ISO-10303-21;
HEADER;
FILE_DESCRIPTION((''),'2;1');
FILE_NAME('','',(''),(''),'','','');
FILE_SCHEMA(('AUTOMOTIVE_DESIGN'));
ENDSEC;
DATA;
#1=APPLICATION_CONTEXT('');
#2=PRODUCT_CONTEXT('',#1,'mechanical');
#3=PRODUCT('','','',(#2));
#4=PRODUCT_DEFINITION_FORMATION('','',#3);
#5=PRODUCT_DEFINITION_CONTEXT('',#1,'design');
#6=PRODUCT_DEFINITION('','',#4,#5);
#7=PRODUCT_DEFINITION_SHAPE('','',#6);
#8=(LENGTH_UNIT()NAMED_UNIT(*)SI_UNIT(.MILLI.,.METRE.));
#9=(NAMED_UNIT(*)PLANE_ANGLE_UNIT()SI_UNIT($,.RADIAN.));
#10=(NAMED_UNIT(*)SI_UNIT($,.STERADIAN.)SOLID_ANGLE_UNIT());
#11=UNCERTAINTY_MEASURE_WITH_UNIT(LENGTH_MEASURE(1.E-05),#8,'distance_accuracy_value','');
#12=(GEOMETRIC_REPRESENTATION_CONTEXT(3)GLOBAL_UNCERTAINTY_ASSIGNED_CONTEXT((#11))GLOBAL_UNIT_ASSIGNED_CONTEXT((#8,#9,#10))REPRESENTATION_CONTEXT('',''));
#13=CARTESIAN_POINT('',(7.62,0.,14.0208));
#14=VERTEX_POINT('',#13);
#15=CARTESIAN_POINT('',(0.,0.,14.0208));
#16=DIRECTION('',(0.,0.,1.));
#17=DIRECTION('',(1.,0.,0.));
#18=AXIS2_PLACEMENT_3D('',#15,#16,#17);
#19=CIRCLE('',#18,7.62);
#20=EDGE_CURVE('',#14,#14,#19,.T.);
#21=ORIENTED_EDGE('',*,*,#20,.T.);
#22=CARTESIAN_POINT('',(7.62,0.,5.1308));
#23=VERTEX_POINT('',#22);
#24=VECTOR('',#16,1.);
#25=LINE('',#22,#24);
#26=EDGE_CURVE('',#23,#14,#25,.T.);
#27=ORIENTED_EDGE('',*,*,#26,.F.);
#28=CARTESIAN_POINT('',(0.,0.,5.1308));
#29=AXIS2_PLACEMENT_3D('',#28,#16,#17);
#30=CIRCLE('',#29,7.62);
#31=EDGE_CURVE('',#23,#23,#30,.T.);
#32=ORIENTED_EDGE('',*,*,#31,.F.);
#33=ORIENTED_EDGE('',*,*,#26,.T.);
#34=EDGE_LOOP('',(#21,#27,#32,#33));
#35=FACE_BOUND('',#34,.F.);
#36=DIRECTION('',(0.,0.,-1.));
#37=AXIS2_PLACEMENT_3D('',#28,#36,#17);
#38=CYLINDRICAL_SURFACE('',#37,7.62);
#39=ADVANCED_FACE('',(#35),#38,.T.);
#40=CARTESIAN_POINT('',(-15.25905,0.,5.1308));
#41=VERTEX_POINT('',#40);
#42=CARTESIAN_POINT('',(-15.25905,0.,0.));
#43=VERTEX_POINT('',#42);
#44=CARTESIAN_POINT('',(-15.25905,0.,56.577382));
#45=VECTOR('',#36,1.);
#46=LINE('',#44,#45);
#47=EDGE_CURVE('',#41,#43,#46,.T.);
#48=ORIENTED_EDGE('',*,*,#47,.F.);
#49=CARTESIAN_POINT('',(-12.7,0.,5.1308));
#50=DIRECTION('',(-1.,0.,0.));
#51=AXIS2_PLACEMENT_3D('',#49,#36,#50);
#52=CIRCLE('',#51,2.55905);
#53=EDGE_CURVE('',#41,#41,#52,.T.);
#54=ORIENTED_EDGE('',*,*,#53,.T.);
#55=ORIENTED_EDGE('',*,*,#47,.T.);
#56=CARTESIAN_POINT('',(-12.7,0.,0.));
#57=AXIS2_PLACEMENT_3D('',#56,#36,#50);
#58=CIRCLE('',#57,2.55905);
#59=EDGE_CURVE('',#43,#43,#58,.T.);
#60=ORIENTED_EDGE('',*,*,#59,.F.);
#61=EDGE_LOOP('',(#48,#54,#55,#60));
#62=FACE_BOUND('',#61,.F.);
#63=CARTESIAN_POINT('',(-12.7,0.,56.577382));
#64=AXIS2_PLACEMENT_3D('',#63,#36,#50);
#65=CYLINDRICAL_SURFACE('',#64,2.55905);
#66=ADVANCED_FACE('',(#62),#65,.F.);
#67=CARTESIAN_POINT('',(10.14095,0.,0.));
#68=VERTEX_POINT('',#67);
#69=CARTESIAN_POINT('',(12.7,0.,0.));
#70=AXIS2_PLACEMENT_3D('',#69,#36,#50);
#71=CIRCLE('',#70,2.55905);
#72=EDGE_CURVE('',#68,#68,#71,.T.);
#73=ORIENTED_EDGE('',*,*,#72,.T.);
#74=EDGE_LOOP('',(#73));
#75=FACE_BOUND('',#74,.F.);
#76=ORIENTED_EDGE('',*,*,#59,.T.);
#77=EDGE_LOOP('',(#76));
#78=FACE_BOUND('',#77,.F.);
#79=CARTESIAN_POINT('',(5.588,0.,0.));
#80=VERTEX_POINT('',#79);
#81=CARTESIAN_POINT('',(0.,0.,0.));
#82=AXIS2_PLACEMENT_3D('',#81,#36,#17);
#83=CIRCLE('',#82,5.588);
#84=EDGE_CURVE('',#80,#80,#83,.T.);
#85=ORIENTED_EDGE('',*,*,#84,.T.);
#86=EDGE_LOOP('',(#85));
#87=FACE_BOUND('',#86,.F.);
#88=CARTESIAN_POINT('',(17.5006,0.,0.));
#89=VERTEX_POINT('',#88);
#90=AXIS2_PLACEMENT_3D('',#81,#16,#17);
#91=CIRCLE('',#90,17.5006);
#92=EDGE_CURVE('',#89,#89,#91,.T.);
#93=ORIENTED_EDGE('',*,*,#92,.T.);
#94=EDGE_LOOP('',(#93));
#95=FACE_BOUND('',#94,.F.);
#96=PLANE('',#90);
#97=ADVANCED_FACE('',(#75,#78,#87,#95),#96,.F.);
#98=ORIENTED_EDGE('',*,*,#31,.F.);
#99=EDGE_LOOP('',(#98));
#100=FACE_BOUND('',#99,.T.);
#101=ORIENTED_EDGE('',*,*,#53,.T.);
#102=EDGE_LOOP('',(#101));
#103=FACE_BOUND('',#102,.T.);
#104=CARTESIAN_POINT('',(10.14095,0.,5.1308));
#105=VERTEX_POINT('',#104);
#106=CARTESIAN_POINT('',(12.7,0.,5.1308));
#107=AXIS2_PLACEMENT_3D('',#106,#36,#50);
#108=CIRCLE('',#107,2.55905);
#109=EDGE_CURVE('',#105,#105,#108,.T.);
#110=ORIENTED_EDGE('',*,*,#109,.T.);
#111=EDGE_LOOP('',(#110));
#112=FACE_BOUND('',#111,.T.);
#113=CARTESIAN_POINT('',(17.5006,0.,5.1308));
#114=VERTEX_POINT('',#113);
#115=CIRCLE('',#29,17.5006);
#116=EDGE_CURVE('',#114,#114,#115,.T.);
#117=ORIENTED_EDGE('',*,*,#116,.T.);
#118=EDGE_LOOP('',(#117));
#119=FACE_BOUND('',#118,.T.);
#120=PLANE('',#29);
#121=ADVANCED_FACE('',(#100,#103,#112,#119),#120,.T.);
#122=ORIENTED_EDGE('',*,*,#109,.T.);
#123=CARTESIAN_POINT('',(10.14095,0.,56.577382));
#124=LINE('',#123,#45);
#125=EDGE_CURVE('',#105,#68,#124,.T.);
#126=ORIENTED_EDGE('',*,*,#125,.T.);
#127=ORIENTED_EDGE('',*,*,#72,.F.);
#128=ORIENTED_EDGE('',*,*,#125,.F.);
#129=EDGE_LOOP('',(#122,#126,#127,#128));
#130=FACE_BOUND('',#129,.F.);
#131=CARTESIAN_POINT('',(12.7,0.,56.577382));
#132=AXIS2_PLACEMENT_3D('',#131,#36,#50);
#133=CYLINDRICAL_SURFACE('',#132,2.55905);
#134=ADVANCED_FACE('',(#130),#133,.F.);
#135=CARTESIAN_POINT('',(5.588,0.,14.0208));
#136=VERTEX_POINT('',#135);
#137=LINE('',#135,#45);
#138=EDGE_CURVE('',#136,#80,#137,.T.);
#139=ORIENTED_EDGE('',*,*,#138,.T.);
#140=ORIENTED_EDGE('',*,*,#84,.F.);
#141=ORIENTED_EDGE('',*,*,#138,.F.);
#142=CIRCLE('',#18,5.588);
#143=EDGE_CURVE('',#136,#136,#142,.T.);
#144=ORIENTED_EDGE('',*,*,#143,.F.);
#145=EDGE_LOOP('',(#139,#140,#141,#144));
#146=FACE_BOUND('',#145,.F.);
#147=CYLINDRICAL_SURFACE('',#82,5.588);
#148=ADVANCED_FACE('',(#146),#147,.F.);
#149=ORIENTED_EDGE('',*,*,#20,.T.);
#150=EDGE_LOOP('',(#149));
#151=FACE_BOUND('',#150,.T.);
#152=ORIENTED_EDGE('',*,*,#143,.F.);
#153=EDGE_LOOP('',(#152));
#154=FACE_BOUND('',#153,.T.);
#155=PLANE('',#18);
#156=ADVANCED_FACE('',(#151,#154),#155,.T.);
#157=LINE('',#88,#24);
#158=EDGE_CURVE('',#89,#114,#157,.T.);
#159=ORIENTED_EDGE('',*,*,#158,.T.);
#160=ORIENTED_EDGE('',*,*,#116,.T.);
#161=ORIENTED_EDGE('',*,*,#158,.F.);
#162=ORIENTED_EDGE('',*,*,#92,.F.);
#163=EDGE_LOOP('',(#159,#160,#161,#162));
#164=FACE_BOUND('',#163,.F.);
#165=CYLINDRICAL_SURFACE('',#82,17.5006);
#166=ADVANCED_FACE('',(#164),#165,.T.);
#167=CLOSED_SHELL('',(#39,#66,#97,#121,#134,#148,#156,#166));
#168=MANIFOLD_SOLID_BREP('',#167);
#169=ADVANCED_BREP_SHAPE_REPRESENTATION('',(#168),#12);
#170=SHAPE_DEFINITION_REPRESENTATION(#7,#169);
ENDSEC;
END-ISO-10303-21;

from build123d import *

# Parameters (mm, degrees)
F0_R     = 17.5006
F1_DEPTH = 5.1308
F2_R     = 7.62
F2_R_2   = 5.588
F3_DEPTH = 8.89
F4_R     = 5.588
F5_DEPTH = 14.0218
F7_D     = 5.1181


with BuildPart() as f1:
    # F0 (on Top) → F1 (new body)
    with BuildSketch(Plane.XY):
        Circle(F0_R)
    extrude(amount=F1_DEPTH)

    # F2 (on face) → F3 (join)
    with BuildSketch(Plane.XY.offset(5.1308)):
        Circle(F2_R)
        Circle(F2_R_2, mode=Mode.SUBTRACT)
    extrude(amount=F3_DEPTH)

    # F4 (on face) → F5 (cut, through all)
    with BuildSketch(Plane(origin=(0, 0, 0), x_dir=(1, 0, 0), z_dir=(0, 0, -1))):
        Circle(F4_R)
    extrude(amount=-F5_DEPTH, mode=Mode.SUBTRACT)

    # F7 (through all)
    with Locations(Plane.XY.offset(5.1308)):
        with Locations((-12.7, 0), (12.7, 0)):
            Hole(F7_D / 2)


solid = f1.part
